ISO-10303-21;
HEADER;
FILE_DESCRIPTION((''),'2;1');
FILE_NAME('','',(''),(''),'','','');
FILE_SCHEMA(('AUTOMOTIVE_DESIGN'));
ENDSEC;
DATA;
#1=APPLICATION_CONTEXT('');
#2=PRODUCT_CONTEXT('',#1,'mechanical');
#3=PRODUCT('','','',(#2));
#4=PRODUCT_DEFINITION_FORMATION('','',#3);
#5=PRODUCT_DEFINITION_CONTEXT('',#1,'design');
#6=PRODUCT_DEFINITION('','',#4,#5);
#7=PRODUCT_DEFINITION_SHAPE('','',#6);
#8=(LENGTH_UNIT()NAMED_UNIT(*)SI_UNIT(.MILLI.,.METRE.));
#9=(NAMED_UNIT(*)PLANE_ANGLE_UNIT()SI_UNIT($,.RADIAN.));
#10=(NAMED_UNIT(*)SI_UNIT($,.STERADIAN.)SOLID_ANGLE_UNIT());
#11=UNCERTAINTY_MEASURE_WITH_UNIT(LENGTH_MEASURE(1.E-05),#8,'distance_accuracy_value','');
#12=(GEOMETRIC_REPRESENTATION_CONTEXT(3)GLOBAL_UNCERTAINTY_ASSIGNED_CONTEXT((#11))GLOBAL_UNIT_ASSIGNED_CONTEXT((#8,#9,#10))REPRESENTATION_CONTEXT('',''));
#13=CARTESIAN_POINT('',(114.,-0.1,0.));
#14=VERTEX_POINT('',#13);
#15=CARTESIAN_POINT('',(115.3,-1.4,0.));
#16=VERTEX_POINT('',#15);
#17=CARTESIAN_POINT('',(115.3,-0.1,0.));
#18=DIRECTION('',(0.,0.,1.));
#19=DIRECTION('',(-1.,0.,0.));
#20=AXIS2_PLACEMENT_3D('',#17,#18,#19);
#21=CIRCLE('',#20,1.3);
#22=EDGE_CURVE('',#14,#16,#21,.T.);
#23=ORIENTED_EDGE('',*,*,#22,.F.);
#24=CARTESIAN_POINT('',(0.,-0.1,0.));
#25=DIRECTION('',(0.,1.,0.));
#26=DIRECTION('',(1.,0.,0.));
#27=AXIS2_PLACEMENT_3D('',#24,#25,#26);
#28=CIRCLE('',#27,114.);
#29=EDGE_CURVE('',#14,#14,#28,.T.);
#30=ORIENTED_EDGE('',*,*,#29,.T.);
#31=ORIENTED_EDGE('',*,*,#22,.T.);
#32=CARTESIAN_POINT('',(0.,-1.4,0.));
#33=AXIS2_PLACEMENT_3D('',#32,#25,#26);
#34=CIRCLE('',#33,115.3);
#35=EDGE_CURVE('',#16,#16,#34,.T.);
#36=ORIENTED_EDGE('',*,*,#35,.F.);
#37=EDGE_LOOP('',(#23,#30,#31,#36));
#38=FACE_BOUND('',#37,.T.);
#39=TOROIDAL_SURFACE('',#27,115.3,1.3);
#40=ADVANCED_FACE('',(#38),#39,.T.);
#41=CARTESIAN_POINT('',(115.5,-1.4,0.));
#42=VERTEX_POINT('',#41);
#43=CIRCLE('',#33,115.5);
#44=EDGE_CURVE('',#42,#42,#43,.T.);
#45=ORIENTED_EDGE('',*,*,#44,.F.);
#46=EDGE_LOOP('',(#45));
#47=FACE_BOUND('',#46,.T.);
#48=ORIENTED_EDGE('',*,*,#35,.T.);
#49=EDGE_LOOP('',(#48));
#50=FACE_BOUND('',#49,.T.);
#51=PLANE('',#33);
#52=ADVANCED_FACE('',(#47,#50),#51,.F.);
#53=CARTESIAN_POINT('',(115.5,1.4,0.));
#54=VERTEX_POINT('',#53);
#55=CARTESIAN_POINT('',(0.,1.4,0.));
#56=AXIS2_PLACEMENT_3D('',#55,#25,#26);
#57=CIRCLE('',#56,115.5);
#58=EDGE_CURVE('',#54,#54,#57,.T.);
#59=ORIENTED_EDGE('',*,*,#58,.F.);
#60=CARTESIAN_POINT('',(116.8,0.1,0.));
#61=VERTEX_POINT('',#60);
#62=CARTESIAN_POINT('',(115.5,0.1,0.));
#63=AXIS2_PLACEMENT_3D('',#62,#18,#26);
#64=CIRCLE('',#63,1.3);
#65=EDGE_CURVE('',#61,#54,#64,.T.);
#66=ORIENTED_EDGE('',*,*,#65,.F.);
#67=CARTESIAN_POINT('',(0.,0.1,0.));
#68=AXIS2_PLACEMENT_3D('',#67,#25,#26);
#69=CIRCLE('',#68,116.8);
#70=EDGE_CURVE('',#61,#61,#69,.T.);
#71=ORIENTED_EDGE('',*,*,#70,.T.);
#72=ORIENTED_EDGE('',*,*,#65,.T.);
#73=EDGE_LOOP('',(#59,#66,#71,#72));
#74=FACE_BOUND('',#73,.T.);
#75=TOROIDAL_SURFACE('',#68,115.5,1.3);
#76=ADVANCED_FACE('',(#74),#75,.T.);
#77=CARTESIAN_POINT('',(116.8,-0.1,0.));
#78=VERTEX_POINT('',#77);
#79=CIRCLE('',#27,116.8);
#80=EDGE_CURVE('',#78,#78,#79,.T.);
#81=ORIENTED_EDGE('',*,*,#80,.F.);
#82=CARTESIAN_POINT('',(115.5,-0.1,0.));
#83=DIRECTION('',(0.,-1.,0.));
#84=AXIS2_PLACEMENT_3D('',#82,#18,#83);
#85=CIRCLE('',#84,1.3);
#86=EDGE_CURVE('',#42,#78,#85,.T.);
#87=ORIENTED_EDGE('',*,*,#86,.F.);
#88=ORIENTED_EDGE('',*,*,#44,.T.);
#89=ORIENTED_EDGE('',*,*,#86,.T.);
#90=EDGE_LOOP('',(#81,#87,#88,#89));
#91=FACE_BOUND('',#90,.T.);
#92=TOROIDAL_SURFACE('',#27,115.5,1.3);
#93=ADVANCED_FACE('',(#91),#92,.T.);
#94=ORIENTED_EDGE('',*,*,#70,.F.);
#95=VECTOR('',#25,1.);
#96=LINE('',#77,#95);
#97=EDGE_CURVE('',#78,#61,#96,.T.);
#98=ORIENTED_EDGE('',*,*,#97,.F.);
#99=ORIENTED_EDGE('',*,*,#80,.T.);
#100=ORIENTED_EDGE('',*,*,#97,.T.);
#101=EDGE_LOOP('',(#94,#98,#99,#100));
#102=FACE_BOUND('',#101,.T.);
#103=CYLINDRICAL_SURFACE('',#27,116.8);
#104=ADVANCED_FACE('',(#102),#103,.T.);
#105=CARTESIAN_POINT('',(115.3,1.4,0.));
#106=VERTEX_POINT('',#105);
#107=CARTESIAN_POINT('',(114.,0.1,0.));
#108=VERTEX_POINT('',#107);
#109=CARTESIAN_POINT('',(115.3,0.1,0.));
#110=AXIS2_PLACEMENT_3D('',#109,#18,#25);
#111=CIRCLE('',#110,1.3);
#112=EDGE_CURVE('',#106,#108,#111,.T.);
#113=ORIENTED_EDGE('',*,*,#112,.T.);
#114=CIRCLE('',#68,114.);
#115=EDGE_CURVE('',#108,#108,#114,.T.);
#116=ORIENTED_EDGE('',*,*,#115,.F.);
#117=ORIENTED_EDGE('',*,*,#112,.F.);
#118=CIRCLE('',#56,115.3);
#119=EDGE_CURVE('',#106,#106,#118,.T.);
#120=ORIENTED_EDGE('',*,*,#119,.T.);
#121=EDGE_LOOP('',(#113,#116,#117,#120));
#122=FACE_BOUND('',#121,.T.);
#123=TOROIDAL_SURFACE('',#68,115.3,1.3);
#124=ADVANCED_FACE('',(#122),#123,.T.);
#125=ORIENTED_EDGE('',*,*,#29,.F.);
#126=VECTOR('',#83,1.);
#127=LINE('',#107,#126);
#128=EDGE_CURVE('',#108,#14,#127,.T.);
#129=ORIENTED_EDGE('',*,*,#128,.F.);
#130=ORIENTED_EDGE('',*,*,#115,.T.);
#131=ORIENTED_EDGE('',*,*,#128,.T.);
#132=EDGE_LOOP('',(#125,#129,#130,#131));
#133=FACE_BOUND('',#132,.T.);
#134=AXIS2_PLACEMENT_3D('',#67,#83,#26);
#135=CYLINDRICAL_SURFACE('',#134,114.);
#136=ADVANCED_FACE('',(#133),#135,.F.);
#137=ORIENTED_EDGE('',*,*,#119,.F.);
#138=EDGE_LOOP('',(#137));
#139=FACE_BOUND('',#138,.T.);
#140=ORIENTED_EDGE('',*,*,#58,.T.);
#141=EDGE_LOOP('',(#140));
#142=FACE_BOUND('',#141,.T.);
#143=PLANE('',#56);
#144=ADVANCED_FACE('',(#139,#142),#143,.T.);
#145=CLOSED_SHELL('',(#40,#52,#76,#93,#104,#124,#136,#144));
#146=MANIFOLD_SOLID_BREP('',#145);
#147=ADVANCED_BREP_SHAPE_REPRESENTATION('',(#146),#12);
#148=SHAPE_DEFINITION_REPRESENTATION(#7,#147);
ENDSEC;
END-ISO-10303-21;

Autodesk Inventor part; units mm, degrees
ref_plane "YZ Plane" through (0, 0, 0) normal (1, 0, 0) x (0, 1, 0)
ref_plane "XZ Plane" through (0, 0, 0) normal (0, 1, 0) x (-1, 0, 0)
ref_plane "XY Plane" through (0, 0, 0) normal (0, 0, 1) x (1, 0, 0)
sketch "Sketch1" plane through (0, 0, 0) normal (0, 0, 1) x (1, 0, 0)
  line L0 (0, -2.3369) -> (0, 2.3369) projected
  line L1 (115.3, -1.4) -> (115.5, -1.4)
  line L2 (116.8, -0.1) -> (116.8, 0.1)
  line L3 (115.5, 1.4) -> (115.3, 1.4)
  line L4 (114, 0.1) -> (114, -0.1)
  line L5 (114, -1.4) -> (116.8, 1.4) construction
  line L6 (116.8, -1.4) -> (114, 1.4) construction
  arc A0 (116.8, 0.1) -> (115.5, 1.4) centre (115.5, 0.1) ccw
  arc A1 (115.3, 1.4) -> (114, 0.1) centre (115.3, 0.1) ccw
  arc A2 (114, -0.1) -> (115.3, -1.4) centre (115.3, -0.1) ccw
  arc A3 (115.5, -1.4) -> (116.8, -0.1) centre (115.5, -0.1) ccw
  point P0 (0, 0)
  dimension "d4" = 114
  dimension "d5" = 1.3
revolve "Rubber Seal" add sketch "Sketch1" angle 360 about axis through (0, -10, 0) along (0, 1, 0)
properties part number "RubberSeal" material "Rubber"
